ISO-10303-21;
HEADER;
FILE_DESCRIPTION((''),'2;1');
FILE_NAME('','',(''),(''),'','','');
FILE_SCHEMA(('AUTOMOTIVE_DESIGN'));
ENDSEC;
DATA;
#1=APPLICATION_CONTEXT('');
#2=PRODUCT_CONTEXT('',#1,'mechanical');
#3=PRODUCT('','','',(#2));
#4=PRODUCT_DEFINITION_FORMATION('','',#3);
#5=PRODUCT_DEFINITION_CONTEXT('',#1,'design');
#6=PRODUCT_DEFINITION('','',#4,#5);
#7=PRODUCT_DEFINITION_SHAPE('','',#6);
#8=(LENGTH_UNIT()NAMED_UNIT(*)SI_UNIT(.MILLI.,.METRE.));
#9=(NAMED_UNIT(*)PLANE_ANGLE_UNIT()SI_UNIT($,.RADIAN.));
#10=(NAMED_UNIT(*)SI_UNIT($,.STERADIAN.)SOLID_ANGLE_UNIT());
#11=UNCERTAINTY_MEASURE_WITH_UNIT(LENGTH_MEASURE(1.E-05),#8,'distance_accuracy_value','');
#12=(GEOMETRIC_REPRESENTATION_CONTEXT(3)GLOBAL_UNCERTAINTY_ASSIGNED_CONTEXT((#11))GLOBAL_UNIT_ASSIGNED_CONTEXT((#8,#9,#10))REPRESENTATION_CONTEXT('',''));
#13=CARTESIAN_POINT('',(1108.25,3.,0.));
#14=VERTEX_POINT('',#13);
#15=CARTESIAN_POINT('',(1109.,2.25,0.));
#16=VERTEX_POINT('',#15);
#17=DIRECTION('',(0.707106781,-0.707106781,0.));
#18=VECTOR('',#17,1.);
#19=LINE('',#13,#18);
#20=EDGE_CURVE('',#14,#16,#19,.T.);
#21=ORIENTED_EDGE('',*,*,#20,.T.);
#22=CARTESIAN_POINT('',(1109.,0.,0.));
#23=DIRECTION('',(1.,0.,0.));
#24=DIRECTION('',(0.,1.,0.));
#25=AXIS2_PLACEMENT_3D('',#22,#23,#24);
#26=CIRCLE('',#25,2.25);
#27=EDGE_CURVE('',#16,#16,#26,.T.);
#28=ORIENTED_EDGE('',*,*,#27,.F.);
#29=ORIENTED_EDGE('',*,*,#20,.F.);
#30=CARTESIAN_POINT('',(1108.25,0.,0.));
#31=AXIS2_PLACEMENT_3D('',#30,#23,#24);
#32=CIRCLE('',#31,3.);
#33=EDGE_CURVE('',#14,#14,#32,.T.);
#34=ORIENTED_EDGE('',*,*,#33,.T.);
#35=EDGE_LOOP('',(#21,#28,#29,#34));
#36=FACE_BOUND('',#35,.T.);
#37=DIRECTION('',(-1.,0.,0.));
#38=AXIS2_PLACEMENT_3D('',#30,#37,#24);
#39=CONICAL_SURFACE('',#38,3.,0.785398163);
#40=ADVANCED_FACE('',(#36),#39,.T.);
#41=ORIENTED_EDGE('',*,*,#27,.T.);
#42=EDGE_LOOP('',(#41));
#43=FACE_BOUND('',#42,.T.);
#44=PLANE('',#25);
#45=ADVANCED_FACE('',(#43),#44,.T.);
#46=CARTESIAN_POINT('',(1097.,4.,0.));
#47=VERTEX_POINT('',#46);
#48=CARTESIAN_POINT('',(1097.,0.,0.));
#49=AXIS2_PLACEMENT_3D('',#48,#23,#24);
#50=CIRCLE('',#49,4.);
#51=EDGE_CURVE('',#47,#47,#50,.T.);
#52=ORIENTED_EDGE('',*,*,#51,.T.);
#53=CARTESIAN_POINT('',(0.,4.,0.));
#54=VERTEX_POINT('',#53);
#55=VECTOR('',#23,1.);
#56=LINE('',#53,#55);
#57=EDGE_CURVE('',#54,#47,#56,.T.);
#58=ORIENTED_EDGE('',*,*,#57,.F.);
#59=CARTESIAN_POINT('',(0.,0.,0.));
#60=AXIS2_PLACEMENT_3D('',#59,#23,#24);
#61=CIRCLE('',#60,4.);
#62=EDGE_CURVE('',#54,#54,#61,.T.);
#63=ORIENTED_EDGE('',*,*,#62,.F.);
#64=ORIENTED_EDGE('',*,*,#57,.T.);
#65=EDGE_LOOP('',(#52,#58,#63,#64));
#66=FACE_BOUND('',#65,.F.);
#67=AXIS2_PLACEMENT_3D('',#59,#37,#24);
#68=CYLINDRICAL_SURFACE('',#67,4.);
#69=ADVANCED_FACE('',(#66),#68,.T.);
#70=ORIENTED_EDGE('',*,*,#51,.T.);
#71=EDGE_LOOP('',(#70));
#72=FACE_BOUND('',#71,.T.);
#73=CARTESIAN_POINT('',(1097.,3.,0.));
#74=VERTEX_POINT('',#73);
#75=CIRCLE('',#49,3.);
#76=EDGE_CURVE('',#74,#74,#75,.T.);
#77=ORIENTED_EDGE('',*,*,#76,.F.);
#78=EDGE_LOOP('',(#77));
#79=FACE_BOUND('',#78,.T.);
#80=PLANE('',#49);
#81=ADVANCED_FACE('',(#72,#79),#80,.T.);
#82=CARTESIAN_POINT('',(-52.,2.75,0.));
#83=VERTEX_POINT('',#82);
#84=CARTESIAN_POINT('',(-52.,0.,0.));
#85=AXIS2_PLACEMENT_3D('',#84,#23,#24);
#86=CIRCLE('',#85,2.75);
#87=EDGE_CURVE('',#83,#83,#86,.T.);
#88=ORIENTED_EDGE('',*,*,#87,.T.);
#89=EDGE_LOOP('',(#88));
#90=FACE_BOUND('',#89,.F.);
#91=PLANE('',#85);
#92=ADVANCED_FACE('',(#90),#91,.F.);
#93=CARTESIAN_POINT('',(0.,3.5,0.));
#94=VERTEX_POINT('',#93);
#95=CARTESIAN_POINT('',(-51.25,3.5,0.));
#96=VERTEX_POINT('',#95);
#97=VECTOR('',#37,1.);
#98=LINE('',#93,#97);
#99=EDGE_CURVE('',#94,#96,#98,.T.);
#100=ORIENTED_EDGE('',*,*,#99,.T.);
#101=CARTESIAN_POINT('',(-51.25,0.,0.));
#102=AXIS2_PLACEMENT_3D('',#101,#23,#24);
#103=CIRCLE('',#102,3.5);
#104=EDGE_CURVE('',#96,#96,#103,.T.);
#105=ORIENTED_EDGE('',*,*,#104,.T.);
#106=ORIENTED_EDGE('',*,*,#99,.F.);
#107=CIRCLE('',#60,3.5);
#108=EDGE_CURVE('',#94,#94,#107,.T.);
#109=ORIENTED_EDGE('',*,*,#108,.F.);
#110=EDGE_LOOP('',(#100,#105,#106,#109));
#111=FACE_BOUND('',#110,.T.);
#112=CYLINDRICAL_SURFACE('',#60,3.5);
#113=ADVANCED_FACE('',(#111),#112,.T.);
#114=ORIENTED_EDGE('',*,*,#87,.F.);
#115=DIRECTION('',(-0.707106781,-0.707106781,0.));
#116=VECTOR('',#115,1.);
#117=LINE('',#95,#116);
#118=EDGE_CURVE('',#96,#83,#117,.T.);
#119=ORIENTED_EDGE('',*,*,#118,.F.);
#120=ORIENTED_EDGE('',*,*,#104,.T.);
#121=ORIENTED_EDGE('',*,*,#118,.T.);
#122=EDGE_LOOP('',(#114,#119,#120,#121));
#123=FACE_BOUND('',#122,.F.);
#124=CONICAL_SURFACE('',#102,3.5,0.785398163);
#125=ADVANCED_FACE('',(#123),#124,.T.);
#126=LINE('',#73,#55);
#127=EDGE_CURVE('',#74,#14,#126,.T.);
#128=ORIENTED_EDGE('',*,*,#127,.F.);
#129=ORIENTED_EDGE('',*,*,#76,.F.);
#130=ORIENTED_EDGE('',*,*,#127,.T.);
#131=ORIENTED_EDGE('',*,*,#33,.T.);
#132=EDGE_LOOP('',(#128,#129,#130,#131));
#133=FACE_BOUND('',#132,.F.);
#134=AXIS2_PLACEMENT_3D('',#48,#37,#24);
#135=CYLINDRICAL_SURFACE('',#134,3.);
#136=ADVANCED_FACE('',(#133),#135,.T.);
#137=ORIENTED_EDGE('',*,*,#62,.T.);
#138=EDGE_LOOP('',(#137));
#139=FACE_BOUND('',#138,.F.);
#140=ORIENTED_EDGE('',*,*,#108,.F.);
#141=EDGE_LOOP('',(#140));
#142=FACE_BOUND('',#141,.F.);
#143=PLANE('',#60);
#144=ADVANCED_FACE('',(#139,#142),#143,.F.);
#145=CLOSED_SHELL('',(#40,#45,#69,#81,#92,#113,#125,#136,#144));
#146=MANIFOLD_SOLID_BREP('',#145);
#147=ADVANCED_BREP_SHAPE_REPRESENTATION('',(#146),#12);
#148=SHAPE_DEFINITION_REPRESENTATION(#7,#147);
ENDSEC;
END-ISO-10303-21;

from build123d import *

# Parameters (mm, degrees)
F0_R     = 4
F1_DEPTH = 1097
F2_R     = 3.5
F3_DEPTH = 52
F4_R     = 3
F5_DEPTH = 12
F6_SIZE  = 0.75
F7_SIZE  = 0.75


with BuildPart() as f1:
    # F0 (on Right) → F1 (new body)
    with BuildSketch(Plane.YZ):
        Circle(F0_R)
    extrude(amount=F1_DEPTH)

    # F2 (on Right) → F3 (join)
    with BuildSketch(Plane.YZ):
        Circle(F2_R)
    extrude(amount=-F3_DEPTH)

    # F4 (on face) → F5 (join)
    with BuildSketch(Plane.YZ.offset(1097)):
        Circle(F4_R)
    extrude(amount=F5_DEPTH)

    # F6
    f6_edges = [f1.edges().sort_by_distance(p)[0] for p in [
        (1109, -3, 0),
    ]]
    chamfer(f6_edges, length=F6_SIZE)

    # F7
    f7_edges = [f1.edges().sort_by_distance(p)[0] for p in [
        (-52, -3.5, 0),
    ]]
    chamfer(f7_edges, length=F7_SIZE)


solid = f1.part
